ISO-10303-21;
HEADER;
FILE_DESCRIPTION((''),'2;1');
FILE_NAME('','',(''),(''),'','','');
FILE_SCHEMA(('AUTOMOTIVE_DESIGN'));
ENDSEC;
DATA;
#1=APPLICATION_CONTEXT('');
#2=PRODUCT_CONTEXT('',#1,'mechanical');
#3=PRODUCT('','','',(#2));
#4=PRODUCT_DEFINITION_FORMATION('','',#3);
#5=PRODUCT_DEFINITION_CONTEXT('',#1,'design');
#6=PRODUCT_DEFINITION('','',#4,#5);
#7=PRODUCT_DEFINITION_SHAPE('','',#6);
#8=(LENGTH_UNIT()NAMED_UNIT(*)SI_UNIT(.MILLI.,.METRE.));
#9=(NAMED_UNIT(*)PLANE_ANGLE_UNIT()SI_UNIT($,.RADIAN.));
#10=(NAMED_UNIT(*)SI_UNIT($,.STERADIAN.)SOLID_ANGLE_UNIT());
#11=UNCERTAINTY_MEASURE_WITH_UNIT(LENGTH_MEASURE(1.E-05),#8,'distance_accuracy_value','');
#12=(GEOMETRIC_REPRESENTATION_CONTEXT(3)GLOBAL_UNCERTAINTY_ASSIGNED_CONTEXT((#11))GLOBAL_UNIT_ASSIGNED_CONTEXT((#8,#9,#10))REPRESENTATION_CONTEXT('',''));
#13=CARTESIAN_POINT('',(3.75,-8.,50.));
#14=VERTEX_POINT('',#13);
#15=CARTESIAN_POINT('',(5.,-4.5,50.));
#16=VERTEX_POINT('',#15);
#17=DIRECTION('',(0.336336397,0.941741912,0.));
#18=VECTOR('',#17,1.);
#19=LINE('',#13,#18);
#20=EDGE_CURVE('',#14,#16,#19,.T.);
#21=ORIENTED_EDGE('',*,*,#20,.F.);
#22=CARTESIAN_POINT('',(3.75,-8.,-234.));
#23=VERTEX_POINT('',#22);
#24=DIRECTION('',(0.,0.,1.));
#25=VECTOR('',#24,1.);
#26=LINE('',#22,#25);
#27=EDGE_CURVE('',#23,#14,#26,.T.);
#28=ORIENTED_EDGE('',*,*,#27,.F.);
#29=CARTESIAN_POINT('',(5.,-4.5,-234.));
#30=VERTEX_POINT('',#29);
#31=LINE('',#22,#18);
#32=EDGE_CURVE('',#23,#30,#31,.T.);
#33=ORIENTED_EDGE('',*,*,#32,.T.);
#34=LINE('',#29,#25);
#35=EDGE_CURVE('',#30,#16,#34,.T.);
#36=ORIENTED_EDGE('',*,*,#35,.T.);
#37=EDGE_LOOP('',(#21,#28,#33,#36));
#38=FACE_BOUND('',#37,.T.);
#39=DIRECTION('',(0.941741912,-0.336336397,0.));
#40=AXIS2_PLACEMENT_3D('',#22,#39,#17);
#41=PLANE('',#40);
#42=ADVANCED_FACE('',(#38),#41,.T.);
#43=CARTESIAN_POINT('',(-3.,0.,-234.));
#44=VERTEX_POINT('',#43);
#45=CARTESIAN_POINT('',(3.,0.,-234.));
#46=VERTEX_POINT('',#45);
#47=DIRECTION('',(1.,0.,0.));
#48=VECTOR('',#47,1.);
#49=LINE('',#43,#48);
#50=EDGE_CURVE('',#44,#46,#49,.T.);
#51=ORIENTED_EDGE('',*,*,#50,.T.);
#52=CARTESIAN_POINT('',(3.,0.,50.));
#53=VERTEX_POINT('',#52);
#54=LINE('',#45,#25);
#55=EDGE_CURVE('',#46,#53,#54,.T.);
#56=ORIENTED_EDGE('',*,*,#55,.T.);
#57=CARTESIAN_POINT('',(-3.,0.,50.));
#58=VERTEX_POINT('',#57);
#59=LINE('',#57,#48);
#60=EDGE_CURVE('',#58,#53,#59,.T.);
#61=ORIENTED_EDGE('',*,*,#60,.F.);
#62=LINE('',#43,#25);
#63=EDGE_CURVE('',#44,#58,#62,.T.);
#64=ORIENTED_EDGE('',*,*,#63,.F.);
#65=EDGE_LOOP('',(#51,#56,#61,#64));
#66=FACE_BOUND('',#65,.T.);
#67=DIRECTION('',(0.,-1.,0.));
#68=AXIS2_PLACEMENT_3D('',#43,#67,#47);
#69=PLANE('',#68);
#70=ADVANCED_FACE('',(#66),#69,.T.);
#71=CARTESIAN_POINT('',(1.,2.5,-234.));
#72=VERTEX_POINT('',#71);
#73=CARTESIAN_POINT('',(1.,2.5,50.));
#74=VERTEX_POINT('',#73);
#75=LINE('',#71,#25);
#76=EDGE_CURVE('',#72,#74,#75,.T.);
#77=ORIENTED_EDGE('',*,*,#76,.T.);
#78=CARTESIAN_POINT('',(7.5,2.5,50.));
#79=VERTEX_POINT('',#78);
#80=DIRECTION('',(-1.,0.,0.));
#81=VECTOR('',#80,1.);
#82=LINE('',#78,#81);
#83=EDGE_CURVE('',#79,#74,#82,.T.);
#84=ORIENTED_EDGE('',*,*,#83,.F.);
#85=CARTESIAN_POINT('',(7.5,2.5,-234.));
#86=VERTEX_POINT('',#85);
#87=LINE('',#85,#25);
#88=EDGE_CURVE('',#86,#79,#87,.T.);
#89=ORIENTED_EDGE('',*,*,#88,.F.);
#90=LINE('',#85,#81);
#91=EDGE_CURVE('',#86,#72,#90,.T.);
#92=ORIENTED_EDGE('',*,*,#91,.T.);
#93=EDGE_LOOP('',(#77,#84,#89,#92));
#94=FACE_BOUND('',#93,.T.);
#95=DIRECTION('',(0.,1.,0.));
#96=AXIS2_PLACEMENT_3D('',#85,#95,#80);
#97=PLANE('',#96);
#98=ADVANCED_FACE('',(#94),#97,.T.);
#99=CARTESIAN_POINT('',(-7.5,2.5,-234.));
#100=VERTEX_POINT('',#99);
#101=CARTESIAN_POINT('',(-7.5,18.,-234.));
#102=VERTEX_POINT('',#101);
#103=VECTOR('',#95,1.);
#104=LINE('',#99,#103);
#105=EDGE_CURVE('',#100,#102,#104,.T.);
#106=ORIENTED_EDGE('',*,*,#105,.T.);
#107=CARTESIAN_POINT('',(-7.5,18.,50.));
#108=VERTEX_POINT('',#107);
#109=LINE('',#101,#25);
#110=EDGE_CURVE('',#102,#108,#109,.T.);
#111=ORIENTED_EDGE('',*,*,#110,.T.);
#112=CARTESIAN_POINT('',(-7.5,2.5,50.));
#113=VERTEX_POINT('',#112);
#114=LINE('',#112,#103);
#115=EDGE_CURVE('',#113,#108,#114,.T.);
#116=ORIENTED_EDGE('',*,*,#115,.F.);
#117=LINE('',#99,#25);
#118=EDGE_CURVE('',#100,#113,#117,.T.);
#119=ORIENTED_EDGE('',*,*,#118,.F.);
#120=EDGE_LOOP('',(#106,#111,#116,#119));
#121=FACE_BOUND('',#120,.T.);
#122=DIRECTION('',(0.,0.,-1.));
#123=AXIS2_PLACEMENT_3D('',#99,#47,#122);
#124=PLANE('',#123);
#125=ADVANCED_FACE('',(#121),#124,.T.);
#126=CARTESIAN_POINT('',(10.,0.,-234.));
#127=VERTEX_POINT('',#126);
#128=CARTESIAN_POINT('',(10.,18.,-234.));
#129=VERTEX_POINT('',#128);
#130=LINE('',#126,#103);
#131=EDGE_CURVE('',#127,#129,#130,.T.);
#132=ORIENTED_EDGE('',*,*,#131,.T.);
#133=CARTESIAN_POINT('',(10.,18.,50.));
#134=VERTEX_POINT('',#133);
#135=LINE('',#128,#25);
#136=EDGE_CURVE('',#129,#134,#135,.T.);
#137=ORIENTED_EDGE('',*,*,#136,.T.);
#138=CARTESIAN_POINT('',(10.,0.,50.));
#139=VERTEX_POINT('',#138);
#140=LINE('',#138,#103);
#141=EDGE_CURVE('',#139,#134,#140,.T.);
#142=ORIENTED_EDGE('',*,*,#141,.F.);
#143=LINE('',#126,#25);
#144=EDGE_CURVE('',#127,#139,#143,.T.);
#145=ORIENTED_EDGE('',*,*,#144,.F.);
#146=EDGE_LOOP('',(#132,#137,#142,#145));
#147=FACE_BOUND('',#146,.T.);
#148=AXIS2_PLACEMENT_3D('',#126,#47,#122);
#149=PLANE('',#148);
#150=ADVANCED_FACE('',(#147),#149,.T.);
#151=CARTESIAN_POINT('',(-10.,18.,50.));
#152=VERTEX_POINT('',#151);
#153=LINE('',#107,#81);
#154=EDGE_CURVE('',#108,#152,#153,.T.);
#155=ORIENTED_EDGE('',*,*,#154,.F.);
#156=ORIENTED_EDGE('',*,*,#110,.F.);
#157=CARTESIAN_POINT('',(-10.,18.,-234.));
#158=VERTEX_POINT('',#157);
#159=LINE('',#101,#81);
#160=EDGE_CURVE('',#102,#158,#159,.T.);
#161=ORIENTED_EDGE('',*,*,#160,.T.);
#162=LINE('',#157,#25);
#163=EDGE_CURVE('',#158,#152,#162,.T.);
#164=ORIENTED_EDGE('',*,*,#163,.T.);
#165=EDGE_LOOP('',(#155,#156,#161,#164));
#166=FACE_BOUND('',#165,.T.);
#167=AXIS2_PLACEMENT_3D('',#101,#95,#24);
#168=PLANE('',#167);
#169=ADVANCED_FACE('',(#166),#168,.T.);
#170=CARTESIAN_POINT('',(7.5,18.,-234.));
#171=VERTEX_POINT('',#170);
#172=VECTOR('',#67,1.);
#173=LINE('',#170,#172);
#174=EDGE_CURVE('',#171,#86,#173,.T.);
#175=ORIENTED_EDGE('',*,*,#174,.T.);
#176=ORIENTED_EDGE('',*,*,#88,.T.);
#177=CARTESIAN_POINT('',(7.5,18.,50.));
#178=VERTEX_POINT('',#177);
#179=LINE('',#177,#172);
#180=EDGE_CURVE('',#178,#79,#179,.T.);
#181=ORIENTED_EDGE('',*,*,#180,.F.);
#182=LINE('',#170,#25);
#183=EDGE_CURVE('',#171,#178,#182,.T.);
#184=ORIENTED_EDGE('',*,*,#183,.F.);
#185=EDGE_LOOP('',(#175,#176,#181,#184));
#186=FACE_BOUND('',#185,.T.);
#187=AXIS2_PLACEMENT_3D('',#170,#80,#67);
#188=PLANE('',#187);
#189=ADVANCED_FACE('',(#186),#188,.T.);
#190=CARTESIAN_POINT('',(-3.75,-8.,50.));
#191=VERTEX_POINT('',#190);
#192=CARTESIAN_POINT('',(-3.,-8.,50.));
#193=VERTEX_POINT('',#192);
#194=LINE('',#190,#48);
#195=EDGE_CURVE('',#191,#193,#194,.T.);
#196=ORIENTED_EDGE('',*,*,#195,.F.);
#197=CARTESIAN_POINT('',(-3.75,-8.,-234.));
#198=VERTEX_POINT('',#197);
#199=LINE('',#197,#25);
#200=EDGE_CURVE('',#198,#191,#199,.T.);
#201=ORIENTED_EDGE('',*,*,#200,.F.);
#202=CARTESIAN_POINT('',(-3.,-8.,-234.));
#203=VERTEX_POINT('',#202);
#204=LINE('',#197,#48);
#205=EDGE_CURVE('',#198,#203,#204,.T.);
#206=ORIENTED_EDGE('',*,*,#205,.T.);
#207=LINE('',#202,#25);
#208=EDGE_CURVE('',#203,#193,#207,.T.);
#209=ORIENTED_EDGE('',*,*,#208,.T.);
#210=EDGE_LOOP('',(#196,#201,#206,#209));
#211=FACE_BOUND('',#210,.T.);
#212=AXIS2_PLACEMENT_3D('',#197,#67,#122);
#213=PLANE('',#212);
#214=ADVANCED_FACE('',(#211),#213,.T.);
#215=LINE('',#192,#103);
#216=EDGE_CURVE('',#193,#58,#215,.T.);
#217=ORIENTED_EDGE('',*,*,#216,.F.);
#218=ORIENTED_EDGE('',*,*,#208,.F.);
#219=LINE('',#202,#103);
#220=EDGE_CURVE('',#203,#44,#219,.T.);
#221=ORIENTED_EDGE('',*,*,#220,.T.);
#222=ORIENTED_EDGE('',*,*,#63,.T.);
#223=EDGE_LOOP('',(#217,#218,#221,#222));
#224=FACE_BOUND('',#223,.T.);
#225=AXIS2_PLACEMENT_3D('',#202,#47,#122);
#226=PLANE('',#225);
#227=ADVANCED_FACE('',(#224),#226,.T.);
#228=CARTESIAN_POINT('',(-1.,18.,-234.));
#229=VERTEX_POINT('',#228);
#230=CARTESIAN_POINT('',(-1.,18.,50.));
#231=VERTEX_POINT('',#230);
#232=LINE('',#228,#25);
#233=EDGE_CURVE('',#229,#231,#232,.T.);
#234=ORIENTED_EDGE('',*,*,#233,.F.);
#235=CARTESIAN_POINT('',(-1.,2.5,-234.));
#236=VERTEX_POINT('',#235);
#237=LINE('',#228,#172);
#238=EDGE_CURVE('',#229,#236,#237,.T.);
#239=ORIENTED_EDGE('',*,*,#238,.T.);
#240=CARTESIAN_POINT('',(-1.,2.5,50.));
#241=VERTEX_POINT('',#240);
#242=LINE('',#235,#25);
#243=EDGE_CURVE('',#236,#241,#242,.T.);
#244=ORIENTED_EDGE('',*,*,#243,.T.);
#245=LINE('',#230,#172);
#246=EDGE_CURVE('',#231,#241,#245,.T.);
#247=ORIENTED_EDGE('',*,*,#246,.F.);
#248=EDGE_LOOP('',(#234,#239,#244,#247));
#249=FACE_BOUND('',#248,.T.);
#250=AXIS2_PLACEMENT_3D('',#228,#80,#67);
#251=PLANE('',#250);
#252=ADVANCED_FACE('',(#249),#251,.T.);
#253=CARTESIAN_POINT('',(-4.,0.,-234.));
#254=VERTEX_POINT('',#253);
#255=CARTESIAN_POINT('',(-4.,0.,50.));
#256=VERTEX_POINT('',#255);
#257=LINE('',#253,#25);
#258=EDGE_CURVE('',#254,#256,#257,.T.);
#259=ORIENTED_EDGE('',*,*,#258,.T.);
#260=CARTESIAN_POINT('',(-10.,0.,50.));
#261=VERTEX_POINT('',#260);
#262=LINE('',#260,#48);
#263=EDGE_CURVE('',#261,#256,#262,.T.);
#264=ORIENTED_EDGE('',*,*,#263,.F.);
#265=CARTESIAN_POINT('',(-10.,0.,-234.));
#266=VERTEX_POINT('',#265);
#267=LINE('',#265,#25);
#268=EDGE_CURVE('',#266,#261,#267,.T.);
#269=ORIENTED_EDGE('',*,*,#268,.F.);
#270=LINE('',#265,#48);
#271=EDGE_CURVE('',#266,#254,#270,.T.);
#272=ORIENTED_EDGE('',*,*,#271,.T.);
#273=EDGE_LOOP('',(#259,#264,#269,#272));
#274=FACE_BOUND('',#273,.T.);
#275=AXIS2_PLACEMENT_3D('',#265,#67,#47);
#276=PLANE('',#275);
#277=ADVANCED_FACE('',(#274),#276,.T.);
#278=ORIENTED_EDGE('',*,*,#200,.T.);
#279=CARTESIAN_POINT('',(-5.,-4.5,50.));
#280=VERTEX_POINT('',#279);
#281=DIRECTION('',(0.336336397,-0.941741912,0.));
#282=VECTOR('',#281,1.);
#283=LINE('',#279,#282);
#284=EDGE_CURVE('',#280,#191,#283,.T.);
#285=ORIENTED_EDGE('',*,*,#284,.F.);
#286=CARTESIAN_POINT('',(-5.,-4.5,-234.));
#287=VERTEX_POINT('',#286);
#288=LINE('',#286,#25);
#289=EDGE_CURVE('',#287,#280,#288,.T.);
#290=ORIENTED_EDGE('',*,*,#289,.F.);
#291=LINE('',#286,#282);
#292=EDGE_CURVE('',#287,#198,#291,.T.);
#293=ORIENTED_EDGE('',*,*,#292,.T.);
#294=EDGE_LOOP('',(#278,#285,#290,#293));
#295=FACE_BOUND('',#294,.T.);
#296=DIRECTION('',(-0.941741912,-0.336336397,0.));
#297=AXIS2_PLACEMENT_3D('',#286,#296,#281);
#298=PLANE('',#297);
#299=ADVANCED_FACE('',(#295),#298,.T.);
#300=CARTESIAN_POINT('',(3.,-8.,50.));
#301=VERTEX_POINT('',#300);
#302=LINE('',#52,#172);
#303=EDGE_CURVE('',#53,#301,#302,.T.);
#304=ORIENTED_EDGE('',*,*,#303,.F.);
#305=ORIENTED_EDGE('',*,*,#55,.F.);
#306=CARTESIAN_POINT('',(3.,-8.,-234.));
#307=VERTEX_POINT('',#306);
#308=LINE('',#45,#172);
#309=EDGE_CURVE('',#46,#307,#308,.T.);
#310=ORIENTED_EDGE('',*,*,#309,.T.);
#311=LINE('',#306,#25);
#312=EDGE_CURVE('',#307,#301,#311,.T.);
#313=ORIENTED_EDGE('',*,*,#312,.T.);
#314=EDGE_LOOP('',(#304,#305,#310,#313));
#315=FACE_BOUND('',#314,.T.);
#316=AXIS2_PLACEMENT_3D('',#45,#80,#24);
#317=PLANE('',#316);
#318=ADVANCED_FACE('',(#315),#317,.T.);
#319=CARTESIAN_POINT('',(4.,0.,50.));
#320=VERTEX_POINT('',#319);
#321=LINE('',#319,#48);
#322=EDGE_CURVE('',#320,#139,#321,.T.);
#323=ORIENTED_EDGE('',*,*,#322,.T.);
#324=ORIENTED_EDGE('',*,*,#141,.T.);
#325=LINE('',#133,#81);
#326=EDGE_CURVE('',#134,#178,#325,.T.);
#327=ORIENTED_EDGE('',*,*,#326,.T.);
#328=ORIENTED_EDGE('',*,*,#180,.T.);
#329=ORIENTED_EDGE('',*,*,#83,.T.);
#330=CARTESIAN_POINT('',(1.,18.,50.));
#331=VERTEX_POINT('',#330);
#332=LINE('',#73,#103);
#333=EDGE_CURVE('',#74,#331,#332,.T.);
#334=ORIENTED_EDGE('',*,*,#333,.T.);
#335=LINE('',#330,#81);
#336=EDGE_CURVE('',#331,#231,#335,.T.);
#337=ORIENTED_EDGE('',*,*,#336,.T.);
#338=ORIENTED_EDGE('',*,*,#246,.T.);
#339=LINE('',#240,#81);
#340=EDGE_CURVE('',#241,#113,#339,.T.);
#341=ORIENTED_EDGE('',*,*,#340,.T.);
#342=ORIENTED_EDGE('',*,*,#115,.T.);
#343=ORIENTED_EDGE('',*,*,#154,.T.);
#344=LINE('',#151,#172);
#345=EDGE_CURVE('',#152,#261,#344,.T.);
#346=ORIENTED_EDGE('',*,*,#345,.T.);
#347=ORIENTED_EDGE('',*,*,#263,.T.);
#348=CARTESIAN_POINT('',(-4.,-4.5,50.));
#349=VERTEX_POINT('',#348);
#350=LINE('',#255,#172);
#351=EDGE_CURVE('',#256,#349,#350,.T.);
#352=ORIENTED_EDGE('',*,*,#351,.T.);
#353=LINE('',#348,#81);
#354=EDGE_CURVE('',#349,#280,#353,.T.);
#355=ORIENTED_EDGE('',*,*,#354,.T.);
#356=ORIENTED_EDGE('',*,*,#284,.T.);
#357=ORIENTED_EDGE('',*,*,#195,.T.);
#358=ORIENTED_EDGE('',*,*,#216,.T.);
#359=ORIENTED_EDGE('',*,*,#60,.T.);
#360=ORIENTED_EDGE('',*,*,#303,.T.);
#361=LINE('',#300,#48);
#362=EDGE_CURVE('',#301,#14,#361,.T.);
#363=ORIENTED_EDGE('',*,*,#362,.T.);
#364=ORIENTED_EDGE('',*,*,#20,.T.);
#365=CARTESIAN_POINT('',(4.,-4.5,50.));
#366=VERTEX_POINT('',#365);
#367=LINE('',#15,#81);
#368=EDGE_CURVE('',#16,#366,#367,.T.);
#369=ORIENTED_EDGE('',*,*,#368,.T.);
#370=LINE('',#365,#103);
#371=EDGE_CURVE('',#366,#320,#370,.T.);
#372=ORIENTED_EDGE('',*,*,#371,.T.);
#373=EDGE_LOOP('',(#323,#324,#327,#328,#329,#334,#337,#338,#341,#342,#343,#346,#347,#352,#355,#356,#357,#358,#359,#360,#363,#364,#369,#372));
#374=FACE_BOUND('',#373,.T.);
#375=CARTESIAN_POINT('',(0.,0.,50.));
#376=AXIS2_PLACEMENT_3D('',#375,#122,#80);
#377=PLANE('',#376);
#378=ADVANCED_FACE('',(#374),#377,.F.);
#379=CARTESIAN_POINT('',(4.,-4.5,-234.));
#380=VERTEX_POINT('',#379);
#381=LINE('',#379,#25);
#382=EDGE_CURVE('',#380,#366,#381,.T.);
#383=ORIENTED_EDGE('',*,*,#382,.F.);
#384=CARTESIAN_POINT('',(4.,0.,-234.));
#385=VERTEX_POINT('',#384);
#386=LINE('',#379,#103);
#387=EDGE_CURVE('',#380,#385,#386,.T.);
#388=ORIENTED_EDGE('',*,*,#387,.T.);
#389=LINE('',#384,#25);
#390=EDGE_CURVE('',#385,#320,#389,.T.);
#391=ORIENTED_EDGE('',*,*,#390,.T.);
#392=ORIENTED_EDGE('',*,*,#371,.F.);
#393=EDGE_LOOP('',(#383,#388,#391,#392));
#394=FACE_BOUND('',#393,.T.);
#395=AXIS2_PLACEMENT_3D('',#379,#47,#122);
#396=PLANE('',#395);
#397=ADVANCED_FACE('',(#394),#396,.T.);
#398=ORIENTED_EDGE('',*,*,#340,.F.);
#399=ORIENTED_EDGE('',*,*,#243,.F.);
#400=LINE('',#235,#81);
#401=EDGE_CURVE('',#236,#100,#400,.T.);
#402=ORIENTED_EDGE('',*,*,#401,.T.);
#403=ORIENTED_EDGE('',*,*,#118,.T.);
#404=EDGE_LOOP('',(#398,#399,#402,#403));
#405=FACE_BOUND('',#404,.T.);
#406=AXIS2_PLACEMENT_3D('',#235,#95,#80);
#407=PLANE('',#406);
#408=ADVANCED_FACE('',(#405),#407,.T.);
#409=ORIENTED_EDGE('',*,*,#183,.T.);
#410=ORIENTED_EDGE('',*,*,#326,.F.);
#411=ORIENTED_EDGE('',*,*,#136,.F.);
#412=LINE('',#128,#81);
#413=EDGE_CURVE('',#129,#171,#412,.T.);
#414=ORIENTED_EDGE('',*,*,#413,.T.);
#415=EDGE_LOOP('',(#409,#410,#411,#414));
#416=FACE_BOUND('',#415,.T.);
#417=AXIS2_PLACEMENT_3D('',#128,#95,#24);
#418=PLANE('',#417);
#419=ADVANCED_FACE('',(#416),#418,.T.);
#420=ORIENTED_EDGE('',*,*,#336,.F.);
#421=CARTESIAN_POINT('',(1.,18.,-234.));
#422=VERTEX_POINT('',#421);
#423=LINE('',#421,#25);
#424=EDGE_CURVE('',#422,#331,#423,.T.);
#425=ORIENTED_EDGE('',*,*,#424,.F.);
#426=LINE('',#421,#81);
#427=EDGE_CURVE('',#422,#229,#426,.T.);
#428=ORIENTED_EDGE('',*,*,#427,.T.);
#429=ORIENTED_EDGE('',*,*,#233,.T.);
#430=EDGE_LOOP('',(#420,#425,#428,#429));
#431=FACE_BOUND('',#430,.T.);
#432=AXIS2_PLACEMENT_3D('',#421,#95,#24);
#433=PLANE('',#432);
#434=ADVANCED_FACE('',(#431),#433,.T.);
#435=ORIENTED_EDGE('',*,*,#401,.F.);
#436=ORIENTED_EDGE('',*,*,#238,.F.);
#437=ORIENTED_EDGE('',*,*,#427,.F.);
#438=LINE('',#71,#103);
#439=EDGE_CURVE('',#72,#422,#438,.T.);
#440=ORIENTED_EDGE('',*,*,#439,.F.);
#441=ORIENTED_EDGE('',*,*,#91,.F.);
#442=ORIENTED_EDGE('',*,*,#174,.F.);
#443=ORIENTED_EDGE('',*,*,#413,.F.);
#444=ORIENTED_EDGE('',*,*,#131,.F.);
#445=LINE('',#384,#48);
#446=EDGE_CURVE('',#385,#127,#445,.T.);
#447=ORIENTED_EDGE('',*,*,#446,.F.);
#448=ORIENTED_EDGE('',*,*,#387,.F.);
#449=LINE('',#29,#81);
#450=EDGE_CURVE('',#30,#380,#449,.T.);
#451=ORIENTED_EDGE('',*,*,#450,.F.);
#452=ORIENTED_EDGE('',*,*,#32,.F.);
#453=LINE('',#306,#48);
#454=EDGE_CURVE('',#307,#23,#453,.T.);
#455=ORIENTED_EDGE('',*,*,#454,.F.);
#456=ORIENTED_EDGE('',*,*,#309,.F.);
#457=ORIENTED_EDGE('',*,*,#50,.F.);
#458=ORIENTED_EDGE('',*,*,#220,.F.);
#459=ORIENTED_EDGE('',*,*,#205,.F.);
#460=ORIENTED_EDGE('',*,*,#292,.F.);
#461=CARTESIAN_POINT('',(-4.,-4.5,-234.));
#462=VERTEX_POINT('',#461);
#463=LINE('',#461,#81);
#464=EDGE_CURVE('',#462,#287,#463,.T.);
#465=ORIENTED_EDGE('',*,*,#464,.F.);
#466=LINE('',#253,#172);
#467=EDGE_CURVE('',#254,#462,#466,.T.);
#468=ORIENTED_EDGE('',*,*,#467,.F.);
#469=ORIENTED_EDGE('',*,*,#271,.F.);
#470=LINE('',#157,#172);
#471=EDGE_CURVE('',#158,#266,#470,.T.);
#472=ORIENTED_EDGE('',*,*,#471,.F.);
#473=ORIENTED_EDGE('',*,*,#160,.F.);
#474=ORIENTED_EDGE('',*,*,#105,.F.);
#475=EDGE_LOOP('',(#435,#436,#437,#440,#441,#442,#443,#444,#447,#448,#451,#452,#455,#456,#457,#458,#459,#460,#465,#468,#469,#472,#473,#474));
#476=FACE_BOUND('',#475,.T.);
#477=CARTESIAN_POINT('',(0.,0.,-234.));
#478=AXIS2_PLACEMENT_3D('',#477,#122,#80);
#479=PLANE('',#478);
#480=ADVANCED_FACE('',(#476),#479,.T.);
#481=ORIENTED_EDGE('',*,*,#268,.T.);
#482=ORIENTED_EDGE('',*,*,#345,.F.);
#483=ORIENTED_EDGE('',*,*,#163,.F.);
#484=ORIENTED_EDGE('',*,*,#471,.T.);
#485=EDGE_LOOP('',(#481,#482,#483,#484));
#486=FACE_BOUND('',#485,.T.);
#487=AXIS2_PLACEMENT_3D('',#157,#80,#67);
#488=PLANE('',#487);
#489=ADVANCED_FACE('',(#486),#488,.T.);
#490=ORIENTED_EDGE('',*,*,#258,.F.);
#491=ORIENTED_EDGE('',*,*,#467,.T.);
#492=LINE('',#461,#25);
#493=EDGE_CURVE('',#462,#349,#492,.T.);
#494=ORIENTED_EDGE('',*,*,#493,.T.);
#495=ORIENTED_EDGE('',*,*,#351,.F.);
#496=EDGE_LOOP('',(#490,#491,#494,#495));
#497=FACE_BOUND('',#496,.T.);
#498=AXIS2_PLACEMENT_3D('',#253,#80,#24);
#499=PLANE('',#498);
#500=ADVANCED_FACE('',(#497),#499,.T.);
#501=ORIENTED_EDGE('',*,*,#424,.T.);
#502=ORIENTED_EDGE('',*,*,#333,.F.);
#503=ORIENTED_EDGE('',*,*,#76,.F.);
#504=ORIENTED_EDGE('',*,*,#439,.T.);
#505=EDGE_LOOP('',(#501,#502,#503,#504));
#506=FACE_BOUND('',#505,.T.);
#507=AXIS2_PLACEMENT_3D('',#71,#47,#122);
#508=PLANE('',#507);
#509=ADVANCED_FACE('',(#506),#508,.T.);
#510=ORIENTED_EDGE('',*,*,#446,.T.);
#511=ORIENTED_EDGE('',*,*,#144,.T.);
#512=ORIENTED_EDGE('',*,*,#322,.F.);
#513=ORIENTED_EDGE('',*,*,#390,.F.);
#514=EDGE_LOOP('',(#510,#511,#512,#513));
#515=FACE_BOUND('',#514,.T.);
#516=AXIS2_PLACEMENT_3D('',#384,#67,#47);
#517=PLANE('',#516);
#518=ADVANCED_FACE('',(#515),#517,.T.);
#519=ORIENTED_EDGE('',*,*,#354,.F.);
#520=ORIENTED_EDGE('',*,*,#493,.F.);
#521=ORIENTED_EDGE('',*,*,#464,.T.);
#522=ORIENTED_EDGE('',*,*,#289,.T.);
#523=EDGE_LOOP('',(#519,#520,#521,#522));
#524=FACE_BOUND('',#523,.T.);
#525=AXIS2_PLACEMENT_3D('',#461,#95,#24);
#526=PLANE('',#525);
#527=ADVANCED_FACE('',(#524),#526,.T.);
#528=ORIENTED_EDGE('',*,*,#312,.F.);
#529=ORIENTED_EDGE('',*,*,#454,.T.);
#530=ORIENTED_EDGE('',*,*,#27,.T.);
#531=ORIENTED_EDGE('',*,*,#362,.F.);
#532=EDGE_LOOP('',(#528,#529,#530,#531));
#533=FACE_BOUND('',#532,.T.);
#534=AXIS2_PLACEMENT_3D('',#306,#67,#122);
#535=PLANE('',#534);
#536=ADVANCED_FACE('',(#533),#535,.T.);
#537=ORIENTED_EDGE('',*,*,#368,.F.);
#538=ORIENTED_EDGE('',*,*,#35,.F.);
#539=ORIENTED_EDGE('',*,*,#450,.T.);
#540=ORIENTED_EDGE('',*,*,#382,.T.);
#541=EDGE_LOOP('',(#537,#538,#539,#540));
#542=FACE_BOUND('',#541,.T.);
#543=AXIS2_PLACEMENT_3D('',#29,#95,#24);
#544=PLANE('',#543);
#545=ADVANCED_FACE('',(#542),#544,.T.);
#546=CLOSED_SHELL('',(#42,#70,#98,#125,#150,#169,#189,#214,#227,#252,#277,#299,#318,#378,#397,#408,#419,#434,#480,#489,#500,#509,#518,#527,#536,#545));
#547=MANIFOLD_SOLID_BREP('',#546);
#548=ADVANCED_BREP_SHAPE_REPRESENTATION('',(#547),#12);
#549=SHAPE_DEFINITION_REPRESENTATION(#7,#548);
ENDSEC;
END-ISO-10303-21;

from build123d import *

# Parameters (mm, degrees)
BOSS_EXTRU_1_DEPTH = 284


with BuildPart() as part:
    # Esquisse1 → Boss.-Extru.1 (new body)
    with BuildSketch(Plane.XY.offset(50)):
        Polygon((-1, 2.5), (-7.5, 2.5), (-7.5, 17.999999998), (-10, 17.999999998), (-10, 0), (-4, 0), (-4, -4.5), (-5, -4.5), (-3.75, -8), (-3, -8), (-3, 0), (3, 0), (3, -8), (3.75, -8), (5, -4.5), (4, -4.5), (4, 0), (10, 0), (10, 17.999999998), (7.5, 17.999999998), (7.5, 2.5), (1, 2.5), (1, 17.999999998), (-1, 17.999999998), align=None)
    extrude(amount=-BOSS_EXTRU_1_DEPTH)


solid = part.part
